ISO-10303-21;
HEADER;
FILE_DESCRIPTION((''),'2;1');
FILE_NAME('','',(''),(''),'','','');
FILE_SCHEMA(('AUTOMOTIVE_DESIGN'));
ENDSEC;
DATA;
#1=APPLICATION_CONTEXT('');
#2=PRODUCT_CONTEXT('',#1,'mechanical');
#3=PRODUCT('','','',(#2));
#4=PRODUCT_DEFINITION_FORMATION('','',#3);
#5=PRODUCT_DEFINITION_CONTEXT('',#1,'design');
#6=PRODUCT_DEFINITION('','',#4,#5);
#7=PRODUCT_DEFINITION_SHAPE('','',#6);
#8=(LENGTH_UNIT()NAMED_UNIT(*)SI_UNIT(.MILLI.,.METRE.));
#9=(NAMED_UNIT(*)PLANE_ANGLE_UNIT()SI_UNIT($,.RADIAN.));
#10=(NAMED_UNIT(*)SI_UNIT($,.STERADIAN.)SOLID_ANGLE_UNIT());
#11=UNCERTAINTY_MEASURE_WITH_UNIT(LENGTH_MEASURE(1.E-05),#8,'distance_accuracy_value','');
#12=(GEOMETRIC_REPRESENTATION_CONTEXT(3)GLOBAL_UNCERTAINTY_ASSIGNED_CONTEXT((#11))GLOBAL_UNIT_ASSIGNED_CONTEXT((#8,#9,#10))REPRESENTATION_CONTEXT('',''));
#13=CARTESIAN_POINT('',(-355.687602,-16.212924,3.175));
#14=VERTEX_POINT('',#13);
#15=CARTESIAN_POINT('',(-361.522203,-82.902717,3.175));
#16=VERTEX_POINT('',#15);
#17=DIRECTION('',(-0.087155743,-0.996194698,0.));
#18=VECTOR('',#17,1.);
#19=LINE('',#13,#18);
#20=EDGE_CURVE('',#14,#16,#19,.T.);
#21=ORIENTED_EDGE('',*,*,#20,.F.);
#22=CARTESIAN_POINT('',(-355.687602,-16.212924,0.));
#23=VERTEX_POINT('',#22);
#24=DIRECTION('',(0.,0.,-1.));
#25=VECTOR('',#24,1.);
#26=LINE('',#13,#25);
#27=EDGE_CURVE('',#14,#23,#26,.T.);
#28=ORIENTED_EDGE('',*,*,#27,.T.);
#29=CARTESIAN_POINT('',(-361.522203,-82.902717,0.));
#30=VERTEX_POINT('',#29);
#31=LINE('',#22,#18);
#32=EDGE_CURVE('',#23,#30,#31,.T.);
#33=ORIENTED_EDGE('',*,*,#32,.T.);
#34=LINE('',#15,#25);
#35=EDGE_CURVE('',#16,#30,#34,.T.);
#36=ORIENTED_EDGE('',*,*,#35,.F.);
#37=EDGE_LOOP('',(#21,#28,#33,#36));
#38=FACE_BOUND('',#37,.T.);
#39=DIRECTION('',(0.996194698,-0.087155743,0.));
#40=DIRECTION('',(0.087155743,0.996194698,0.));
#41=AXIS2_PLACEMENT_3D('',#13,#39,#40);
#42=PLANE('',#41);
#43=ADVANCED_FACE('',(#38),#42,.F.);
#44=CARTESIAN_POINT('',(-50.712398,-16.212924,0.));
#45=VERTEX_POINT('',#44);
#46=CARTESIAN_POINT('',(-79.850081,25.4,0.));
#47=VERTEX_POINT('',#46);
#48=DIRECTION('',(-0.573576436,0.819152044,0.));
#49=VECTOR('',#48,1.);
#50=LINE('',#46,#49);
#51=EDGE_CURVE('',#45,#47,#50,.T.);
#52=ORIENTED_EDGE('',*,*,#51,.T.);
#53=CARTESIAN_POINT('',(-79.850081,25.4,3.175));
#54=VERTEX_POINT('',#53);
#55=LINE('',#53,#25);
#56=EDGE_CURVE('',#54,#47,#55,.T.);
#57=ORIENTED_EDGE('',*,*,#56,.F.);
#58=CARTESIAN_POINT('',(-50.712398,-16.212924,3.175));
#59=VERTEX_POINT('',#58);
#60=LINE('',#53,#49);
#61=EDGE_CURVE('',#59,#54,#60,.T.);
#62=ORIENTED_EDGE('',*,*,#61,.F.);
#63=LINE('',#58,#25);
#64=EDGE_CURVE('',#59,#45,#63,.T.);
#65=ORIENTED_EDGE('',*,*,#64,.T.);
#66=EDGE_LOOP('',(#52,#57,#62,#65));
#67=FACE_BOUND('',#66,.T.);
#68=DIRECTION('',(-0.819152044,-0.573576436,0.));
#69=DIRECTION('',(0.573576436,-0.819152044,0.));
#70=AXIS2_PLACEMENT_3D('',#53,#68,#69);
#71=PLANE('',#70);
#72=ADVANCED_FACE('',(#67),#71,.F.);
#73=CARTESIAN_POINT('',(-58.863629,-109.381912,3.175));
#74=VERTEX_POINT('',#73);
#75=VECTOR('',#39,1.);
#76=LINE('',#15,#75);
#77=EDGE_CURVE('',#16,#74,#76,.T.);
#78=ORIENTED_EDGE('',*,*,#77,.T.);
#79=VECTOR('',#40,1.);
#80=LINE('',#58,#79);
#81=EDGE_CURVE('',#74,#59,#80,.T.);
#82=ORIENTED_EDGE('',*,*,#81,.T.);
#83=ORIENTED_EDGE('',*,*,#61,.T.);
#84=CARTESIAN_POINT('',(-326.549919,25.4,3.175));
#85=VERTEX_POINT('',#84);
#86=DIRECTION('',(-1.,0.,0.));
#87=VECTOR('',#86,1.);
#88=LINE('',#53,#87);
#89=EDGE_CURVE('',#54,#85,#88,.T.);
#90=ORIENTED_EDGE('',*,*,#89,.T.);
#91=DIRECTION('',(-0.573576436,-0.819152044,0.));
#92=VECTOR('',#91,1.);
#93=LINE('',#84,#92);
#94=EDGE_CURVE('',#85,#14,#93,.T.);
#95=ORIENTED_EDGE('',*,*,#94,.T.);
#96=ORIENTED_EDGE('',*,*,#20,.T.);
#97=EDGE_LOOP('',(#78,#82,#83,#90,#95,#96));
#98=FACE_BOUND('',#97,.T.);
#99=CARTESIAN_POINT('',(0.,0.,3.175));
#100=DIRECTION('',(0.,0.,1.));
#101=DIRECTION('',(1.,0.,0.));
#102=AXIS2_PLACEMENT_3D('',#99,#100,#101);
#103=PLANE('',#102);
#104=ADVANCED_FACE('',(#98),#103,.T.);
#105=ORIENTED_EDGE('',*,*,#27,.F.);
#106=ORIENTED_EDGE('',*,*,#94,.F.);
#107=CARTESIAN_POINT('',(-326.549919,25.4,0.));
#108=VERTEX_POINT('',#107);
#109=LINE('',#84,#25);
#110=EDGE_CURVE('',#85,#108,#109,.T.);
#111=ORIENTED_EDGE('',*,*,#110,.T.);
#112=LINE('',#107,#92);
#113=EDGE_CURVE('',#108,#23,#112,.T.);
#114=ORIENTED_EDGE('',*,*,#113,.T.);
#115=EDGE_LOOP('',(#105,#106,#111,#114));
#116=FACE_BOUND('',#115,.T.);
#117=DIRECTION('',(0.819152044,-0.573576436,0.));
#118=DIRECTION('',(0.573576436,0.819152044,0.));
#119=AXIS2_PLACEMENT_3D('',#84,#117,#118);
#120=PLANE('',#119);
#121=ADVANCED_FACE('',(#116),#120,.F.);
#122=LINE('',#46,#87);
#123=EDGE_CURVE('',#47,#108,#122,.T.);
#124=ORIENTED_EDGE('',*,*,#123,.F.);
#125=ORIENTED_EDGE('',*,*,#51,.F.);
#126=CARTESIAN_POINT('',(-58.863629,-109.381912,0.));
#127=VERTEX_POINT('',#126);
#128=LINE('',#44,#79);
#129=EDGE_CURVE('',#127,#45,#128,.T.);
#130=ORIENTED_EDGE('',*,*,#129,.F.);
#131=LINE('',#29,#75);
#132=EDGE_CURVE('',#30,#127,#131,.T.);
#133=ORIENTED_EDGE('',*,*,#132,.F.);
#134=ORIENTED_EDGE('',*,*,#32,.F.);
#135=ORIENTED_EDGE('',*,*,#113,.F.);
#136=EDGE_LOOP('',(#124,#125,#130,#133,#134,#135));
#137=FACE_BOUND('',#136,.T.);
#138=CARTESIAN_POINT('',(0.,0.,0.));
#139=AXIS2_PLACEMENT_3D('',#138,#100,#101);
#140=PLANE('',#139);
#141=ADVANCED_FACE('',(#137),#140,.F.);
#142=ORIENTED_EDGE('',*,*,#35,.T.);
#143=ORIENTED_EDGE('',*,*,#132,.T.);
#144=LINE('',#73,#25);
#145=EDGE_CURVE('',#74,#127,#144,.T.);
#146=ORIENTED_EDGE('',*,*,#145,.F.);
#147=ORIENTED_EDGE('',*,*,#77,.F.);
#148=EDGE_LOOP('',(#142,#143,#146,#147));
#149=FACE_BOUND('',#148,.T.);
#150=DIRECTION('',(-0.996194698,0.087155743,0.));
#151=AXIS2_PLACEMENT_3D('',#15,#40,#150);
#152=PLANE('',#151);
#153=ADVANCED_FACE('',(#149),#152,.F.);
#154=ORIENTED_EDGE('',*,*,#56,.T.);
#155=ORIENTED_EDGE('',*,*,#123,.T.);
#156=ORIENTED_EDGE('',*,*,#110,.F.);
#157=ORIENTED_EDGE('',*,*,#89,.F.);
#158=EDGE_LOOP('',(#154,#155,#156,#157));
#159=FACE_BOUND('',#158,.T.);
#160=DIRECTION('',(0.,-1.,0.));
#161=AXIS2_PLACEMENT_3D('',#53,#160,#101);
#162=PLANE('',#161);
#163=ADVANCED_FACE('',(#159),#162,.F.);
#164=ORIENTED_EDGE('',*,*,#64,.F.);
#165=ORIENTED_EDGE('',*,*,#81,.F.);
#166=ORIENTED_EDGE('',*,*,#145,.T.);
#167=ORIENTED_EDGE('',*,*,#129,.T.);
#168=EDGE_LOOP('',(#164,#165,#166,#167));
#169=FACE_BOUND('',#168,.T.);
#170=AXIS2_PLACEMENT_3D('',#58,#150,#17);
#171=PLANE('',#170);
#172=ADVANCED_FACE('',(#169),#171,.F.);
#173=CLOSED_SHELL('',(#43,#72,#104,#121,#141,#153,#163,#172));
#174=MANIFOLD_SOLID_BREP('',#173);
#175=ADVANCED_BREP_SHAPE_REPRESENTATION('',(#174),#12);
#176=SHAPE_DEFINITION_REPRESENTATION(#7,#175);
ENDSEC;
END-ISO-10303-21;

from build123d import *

# Parameters (mm, degrees)
BOSS_EXTRUDE1_DEPTH = 3.175


with BuildPart() as part:
    # Sketch1 → Boss-Extrude1 (new body)
    with BuildSketch(Plane.XY):
        Polygon((-79.850081257, 25.4), (-50.712398291, -16.21292385), (-58.863628504, -109.381911523), (-361.522202615, -82.90271737), (-355.687601709, -16.21292385), (-326.549918742, 25.4), align=None)
    extrude(amount=BOSS_EXTRUDE1_DEPTH)


solid = part.part
